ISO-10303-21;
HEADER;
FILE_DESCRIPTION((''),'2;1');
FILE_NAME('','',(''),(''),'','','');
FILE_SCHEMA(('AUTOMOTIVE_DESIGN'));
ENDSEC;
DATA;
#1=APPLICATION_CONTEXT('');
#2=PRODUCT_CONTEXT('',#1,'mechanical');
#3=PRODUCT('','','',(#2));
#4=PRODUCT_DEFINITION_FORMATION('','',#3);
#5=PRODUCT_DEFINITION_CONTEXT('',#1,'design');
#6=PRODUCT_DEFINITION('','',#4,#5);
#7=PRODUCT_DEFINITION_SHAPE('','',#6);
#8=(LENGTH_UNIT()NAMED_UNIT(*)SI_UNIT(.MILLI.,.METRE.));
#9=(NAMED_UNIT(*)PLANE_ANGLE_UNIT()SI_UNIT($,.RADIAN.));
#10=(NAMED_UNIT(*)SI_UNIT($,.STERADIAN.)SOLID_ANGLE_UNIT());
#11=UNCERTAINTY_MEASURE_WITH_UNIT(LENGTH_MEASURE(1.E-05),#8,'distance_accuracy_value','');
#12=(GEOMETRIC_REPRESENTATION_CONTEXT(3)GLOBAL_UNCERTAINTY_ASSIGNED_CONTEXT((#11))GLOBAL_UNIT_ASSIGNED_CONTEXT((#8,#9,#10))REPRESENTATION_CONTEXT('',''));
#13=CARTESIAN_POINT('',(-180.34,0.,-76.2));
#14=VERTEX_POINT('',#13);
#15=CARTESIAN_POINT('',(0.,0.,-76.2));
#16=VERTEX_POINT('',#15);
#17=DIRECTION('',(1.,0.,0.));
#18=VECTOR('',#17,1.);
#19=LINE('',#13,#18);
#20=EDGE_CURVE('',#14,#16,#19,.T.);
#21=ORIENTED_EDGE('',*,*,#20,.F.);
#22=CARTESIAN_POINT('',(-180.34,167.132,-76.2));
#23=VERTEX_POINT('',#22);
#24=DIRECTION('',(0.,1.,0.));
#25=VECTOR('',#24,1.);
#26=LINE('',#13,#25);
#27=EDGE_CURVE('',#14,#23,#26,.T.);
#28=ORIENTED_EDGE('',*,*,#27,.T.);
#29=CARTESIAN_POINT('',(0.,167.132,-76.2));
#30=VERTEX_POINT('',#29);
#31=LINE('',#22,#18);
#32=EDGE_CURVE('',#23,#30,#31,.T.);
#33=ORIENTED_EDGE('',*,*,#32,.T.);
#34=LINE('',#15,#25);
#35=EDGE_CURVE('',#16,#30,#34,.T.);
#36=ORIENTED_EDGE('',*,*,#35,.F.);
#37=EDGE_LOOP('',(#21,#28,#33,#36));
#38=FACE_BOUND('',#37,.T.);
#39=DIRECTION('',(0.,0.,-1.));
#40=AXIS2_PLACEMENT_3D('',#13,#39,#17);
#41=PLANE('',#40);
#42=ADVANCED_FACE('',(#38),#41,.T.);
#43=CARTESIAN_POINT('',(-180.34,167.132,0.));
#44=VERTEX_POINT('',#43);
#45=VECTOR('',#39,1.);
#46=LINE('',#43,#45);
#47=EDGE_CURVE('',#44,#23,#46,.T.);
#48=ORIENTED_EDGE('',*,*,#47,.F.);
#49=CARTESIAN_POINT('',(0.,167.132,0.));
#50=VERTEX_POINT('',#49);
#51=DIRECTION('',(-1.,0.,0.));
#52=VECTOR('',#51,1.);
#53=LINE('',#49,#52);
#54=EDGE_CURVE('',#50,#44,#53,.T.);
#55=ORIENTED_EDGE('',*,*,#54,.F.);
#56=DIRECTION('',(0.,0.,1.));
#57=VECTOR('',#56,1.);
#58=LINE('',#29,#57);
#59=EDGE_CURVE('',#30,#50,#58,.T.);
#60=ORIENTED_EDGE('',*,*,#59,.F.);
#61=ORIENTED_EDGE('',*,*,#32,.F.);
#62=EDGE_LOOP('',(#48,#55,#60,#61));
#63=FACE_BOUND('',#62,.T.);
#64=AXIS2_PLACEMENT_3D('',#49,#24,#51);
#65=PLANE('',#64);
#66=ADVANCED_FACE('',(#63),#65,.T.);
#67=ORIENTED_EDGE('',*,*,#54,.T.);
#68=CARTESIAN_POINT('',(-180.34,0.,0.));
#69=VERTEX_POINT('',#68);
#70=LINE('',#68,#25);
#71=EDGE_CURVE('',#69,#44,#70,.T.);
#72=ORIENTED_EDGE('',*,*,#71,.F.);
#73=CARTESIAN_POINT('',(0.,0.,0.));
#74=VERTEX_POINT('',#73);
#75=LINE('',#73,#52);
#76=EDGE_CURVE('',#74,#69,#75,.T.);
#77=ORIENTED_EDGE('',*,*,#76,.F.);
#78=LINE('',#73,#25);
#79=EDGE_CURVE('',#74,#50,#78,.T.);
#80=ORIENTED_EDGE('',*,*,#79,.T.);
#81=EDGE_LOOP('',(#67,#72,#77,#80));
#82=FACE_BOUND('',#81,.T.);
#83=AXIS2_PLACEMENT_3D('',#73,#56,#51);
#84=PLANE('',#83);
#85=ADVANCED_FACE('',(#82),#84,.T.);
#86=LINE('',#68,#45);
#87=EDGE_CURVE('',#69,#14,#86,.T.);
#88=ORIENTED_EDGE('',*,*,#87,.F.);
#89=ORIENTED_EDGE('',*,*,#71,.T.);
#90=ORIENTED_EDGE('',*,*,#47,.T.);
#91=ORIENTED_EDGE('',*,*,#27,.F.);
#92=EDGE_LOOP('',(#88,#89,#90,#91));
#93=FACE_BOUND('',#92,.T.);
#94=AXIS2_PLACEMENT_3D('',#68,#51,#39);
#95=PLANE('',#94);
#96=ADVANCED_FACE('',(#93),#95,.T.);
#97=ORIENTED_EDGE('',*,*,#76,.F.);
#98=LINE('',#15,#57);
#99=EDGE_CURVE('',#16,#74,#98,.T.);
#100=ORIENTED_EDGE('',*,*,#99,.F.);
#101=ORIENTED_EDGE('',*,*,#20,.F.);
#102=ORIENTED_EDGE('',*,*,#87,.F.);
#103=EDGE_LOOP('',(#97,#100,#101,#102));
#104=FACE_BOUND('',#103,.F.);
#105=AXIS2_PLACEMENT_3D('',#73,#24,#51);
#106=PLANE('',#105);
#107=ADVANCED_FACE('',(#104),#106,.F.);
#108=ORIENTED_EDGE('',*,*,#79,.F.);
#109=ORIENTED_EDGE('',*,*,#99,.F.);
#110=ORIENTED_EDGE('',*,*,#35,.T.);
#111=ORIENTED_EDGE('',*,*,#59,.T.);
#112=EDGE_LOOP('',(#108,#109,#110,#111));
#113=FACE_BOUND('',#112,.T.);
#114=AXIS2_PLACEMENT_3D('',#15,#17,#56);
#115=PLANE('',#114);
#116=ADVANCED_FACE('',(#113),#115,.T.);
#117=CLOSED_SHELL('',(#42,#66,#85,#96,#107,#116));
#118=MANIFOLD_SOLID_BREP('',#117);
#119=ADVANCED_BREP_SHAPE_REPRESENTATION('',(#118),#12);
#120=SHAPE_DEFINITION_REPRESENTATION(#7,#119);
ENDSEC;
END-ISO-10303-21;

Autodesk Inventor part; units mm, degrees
ref_plane "YZ Plane" through (0, 0, 0) normal (1, 0, 0) x (0, 1, 0)
ref_plane "XZ Plane" through (0, 0, 0) normal (0, 1, 0) x (-1, 0, 0)
ref_plane "XY Plane" through (0, 0, 0) normal (0, 0, 1) x (1, 0, 0)
sketch "Sketch1" plane through (0, 0, 0) normal (0, 1, 0) x (-1, 0, 0)
  line L0 (0, 0) -> (180.34, 0)
  line L1 (180.34, 0) -> (180.34, -76.2)
  line L2 (180.34, -76.2) -> (0, -76.2)
  line L3 (0, -76.2) -> (0, 0)
  dimension "d0" = 180.34
  dimension "d1" = 76.2
extrude "Extrusion1" add sketch "Sketch1" along normal blind 167.132
properties part number "batter2019"
